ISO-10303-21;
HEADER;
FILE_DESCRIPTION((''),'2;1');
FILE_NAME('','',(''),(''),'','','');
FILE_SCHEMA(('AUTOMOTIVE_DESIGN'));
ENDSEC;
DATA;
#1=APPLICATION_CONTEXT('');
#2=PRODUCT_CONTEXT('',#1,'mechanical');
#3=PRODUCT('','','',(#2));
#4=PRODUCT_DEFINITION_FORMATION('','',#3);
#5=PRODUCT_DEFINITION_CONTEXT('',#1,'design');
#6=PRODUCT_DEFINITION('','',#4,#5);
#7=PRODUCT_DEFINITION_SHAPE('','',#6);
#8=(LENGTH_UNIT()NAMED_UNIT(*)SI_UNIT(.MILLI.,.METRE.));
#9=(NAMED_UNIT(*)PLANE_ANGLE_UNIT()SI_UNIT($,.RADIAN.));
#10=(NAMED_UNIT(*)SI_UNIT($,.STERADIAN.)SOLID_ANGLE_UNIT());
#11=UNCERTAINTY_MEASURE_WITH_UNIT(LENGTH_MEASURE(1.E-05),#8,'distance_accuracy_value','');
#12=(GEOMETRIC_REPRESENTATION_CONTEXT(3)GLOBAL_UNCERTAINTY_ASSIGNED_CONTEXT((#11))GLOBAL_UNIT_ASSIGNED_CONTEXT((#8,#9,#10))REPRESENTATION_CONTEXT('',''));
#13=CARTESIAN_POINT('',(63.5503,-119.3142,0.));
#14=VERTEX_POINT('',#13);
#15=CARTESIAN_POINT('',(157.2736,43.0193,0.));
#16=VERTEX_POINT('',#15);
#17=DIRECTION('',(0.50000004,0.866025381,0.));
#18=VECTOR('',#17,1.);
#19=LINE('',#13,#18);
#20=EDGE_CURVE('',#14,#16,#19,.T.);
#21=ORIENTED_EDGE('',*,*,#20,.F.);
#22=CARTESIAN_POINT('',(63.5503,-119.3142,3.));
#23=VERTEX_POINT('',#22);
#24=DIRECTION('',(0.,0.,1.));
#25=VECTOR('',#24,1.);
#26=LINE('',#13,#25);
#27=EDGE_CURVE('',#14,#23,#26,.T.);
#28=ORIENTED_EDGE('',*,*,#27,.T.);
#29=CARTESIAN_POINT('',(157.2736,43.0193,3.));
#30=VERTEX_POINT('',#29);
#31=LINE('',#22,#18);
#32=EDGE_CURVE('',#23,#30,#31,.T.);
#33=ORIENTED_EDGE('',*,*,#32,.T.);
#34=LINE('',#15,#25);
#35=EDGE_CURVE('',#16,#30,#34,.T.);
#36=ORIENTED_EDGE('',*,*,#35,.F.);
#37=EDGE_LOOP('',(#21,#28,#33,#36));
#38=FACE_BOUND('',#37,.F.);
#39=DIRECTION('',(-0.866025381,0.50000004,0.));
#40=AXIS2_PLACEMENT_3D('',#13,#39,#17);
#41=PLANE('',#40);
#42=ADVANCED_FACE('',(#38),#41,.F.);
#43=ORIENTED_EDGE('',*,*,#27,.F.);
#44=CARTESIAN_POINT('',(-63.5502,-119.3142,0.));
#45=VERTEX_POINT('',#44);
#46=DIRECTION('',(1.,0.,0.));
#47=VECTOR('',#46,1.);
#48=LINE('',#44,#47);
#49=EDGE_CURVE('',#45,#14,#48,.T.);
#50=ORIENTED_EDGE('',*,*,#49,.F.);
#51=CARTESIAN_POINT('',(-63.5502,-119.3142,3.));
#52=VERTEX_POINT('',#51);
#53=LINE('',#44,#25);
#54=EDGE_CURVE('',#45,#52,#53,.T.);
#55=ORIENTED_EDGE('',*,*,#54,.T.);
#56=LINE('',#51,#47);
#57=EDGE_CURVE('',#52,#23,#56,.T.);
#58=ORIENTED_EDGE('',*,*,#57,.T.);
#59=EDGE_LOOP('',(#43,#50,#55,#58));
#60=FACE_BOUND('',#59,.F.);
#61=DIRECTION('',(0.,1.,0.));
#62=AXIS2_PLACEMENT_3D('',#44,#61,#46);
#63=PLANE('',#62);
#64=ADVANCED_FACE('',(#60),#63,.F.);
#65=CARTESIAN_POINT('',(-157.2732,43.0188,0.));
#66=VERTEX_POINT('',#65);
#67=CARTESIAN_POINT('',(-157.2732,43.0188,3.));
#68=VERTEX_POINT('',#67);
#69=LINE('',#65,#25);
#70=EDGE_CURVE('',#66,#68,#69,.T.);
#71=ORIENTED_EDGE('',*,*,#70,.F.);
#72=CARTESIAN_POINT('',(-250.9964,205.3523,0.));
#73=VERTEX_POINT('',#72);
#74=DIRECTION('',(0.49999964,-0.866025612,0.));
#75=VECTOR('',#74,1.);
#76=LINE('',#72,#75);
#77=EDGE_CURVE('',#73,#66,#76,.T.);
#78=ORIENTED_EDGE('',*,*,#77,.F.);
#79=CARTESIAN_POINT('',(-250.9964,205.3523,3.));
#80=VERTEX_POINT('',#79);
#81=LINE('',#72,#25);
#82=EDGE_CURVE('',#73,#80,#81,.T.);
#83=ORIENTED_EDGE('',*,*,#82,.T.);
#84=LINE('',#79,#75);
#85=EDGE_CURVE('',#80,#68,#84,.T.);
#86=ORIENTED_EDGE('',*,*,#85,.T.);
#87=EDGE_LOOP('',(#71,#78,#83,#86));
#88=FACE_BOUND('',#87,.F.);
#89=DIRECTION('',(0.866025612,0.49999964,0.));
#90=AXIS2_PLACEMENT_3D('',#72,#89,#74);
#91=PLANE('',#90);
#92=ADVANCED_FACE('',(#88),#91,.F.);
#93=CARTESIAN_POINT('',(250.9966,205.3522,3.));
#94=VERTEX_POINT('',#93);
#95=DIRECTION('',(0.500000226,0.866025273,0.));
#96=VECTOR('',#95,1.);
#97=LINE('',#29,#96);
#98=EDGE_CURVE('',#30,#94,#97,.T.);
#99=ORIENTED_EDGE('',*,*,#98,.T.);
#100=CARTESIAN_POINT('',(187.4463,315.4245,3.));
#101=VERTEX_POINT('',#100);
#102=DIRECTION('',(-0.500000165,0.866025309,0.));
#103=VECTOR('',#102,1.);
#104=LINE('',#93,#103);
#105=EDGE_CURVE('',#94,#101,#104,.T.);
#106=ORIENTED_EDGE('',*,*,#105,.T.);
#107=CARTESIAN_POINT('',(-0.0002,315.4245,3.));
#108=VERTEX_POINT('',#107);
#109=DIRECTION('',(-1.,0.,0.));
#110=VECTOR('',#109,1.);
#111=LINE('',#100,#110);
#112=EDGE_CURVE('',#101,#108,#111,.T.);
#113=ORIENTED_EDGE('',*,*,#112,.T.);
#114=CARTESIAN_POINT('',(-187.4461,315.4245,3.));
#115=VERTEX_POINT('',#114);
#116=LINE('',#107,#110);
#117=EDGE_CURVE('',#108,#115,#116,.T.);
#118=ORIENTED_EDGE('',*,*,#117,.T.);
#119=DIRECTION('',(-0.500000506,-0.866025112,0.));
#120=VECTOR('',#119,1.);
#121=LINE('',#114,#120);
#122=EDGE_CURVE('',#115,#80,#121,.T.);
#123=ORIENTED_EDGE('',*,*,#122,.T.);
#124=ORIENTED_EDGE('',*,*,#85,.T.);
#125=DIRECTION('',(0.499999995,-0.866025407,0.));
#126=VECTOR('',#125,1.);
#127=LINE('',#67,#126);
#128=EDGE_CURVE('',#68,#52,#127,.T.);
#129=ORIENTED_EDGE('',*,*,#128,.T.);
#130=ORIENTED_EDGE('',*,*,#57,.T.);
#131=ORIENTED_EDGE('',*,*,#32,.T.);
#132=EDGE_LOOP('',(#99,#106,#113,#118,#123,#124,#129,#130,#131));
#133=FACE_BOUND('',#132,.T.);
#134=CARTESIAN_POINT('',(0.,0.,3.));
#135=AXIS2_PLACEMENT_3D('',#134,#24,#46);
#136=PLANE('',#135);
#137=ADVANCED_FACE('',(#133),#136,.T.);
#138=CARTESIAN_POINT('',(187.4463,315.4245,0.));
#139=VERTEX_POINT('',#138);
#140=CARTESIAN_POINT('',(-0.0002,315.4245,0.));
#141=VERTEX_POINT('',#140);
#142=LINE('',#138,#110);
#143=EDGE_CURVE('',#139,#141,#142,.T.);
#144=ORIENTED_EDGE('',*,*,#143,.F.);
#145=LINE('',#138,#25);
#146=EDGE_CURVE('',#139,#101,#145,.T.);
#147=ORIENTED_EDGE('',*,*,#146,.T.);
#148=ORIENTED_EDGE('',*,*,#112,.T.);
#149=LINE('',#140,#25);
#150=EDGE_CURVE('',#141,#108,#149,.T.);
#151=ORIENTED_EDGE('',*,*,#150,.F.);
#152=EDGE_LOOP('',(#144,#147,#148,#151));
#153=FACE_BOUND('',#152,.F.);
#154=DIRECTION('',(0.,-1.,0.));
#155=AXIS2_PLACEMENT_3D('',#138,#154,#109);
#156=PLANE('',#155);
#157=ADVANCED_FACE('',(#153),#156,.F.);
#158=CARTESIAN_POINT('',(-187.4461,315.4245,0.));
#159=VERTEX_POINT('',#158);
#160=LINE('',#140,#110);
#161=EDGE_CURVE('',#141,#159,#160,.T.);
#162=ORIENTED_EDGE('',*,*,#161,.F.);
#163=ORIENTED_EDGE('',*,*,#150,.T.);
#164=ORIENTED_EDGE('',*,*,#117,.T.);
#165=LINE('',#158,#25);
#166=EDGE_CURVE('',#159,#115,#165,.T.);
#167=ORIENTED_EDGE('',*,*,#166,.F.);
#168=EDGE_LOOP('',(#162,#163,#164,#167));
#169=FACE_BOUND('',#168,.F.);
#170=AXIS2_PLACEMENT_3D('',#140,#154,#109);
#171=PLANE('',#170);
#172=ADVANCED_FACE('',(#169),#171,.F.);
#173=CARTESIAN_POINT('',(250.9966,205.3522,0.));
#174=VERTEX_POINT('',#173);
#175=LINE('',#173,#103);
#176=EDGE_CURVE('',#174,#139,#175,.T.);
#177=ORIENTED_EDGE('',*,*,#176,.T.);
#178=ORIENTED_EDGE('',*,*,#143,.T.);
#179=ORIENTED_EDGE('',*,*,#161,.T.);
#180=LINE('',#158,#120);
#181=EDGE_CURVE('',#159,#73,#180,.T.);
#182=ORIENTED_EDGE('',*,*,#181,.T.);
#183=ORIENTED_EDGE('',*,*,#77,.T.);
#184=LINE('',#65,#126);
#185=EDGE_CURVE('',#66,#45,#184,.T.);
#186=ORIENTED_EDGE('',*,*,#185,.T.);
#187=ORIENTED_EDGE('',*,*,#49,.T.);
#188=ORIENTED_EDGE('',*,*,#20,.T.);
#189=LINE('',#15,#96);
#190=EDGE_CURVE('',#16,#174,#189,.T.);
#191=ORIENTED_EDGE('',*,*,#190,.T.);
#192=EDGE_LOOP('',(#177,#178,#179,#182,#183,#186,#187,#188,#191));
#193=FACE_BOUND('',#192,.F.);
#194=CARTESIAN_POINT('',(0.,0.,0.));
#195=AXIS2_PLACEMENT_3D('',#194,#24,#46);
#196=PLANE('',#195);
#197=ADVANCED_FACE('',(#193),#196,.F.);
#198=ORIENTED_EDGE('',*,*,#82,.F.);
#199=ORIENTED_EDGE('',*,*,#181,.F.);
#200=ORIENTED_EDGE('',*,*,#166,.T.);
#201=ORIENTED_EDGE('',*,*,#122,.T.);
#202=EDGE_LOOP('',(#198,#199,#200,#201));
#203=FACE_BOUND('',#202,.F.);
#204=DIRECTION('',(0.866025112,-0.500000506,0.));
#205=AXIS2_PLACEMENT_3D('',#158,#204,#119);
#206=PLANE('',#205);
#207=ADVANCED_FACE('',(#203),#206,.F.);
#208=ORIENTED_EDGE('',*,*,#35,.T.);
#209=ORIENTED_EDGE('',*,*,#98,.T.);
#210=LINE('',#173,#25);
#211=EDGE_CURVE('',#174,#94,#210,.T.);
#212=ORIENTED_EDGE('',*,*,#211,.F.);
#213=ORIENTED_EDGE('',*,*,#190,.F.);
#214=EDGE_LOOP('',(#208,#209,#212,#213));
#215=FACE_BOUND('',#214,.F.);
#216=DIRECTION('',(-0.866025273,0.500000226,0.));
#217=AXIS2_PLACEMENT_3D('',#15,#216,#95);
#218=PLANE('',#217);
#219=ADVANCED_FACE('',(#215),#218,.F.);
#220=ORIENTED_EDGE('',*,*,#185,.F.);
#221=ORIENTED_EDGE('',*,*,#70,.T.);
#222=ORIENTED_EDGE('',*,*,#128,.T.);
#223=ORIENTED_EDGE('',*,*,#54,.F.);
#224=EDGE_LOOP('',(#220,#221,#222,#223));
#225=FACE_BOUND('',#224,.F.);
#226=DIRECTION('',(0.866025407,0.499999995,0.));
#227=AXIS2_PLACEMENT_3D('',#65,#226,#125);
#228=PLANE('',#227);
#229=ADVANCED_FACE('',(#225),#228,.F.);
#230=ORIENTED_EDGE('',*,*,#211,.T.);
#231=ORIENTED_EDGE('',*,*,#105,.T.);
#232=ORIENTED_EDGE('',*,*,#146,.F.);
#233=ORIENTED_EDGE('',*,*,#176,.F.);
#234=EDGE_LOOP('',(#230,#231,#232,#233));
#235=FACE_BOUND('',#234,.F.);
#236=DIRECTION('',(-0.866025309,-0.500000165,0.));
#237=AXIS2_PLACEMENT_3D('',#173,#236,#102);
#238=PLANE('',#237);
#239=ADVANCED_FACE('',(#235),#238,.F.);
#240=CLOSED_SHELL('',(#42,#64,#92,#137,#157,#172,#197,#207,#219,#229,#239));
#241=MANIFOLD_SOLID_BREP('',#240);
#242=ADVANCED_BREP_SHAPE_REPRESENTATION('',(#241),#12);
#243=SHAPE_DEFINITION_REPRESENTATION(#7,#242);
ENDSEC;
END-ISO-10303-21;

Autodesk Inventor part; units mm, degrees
ref_plane "YZ Plane" through (0, 0, 0) normal (1, 0, 0) x (0, 1, 0)
ref_plane "XZ Plane" through (0, 0, 0) normal (0, 1, 0) x (-1, 0, 0)
ref_plane "XY Plane" through (0, 0, 0) normal (0, 0, 1) x (1, 0, 0)
sketch "Sketch1" plane through (0, 0, 0) normal (0, 0, 1) x (1, 0, 0)
  line L0 (250.9966, 205.3522) -> (187.4463, 315.4245)
  line L1 (187.4463, 315.4245) -> (-0.0002, 315.4245)
  line L2 (157.2736, 43.0193) -> (250.9966, 205.3522)
  line L3 (-63.5502, -119.3142) -> (63.5503, -119.3142)
  line L4 (63.5503, -119.3142) -> (157.2736, 43.0193)
  line L5 (-157.2732, 43.0188) -> (-63.5502, -119.3142)
  line L6 (-187.4461, 315.4245) -> (-250.9964, 205.3523)
  line L7 (-250.9964, 205.3523) -> (-157.2732, 43.0188)
  line L8 (-0.0002, 315.4245) -> (-187.4461, 315.4245)
extrude "Extrusion1" add sketch "Sketch1" along normal blind 3
properties part number "glass" material "Glass"
